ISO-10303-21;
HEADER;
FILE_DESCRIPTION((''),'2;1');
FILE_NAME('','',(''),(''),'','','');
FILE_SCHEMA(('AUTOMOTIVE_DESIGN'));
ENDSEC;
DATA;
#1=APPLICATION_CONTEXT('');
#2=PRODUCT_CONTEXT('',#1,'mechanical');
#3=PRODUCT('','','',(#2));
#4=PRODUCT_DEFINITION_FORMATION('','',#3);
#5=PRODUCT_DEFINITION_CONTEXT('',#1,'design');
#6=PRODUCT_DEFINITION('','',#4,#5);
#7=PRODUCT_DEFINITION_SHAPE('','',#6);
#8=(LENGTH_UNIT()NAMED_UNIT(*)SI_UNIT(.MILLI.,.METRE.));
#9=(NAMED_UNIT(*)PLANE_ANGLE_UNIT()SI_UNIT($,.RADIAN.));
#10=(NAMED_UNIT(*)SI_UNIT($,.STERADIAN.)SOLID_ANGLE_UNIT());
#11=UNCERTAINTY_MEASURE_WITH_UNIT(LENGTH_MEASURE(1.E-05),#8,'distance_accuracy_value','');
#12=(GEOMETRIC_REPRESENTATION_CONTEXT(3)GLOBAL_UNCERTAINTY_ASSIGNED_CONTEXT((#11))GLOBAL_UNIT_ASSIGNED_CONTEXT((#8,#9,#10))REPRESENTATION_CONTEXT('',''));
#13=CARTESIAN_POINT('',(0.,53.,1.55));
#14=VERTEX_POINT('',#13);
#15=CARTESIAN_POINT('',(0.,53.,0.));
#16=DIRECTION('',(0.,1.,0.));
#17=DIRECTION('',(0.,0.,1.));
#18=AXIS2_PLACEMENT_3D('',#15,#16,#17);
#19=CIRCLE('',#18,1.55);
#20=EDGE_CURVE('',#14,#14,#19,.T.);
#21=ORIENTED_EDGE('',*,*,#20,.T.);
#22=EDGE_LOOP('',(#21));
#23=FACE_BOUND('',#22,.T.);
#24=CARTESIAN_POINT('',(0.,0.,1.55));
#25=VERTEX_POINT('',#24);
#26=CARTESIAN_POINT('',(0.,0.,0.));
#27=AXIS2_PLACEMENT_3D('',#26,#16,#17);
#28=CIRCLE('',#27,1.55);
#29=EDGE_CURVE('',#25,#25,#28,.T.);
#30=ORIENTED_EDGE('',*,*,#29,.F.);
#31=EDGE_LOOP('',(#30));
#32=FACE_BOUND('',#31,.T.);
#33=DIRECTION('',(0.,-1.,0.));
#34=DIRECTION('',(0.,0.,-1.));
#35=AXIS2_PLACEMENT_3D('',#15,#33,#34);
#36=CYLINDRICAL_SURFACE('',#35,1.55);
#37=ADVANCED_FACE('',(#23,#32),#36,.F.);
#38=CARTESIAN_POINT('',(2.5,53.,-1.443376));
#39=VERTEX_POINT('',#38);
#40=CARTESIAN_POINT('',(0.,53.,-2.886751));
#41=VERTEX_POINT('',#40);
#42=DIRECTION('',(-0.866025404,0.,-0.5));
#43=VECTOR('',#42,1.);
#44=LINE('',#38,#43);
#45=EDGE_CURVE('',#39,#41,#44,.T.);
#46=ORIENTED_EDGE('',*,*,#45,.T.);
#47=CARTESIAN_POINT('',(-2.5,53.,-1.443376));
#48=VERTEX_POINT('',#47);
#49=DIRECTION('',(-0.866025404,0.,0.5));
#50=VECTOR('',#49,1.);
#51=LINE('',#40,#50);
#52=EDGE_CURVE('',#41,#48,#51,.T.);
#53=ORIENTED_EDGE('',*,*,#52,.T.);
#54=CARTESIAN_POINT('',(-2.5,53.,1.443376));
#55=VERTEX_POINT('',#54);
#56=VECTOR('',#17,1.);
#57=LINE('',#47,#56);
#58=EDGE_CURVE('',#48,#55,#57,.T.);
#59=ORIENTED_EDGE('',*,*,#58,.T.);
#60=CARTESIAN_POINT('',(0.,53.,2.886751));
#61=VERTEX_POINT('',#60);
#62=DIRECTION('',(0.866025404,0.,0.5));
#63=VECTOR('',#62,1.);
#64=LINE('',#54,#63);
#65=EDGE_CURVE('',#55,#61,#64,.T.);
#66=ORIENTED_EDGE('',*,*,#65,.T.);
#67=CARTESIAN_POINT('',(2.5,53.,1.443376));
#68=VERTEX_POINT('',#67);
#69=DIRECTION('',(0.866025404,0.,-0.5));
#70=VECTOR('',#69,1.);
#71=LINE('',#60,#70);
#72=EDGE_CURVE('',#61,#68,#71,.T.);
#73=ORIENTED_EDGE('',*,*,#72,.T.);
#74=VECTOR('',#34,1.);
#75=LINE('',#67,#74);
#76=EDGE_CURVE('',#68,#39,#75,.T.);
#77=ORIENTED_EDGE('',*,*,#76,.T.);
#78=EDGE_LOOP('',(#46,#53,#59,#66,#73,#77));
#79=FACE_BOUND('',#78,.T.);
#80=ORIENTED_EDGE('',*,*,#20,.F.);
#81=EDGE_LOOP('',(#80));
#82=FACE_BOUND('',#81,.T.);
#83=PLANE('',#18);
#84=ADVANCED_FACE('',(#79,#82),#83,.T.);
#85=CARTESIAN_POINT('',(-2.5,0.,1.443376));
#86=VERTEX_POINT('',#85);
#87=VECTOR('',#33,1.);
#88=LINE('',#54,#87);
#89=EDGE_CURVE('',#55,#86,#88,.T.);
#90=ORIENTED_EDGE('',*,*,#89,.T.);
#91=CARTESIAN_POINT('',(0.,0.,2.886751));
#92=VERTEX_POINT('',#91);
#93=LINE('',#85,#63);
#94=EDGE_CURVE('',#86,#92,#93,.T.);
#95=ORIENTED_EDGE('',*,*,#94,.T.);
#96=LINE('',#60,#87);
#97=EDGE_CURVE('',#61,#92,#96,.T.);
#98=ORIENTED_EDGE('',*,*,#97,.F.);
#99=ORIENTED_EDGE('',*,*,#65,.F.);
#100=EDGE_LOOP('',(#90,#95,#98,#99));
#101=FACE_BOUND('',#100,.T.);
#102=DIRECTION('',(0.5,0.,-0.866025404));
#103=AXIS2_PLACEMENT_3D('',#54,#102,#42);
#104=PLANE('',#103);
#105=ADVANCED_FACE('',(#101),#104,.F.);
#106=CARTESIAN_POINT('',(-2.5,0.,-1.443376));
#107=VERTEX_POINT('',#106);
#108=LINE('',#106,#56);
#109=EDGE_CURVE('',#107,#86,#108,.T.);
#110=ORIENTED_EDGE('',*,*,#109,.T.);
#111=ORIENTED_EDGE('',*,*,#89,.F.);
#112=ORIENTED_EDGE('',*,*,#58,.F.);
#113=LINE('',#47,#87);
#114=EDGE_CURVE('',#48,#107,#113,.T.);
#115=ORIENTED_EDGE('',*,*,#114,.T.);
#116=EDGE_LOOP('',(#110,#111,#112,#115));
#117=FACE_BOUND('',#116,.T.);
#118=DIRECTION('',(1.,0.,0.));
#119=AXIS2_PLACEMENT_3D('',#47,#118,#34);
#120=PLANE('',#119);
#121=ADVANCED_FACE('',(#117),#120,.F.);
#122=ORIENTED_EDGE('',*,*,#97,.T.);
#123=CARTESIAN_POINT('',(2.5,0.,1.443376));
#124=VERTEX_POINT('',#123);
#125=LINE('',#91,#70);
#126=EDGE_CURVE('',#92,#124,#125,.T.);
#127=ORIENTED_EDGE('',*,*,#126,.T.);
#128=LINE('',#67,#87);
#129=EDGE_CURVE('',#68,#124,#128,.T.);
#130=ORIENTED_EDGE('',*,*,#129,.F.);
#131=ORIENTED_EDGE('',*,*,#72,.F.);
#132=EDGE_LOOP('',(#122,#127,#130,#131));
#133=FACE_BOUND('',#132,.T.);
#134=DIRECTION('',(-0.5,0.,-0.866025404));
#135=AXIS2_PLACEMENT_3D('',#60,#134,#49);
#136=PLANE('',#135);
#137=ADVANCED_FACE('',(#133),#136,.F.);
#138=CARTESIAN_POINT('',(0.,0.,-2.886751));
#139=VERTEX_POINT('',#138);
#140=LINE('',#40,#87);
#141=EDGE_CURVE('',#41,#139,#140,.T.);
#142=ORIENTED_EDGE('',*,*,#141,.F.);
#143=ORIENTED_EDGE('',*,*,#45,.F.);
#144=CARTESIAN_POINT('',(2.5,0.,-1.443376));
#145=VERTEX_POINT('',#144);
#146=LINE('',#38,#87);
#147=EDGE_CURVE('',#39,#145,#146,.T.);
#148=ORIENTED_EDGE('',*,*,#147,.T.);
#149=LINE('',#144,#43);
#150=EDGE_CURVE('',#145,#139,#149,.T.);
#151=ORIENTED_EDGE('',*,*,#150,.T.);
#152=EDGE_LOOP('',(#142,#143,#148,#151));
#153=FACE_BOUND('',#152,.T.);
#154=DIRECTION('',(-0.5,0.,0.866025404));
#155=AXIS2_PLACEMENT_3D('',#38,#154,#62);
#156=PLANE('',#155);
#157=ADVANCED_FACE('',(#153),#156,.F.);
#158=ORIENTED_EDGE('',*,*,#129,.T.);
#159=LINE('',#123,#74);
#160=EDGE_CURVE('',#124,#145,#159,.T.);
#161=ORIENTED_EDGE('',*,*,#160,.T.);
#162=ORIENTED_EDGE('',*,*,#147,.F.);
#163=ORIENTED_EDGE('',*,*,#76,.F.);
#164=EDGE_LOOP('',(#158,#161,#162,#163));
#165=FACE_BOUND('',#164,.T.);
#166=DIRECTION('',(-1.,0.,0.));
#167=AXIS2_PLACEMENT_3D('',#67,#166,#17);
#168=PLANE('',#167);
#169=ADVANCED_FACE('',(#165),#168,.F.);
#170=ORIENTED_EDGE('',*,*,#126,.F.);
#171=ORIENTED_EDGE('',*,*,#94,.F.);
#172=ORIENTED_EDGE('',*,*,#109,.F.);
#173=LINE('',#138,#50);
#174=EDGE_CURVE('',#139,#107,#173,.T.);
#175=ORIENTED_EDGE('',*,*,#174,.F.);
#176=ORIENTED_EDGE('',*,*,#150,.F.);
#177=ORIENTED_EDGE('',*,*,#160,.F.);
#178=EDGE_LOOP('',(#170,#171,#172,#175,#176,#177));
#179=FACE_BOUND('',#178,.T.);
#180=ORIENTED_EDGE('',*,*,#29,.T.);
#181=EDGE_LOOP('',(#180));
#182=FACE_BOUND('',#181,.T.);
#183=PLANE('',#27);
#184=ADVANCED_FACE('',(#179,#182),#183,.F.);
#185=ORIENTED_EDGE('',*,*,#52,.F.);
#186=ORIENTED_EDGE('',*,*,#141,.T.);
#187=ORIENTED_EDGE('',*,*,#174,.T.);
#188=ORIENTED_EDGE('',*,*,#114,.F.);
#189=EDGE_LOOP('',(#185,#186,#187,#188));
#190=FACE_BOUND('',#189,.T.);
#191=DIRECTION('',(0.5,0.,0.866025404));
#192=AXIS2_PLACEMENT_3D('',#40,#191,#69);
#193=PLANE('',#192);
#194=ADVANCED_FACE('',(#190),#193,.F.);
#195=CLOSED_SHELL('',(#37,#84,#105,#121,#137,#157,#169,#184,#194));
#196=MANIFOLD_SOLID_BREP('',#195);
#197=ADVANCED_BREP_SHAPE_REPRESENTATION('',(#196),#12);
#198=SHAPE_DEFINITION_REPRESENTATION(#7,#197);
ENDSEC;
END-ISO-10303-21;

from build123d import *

# Parameters (mm, degrees)
SKETCH_1_R      = 1.55
EXTRUDE_1_DEPTH = 53


with BuildPart() as part:
    # Эскиз1 → Бобышка-Вытянуть1 (new body)
    with BuildSketch(Plane(origin=(0, 0, 0), x_dir=(1, 0, 0), z_dir=(0, 1, 0))):
        Polygon((0, -2.886751346), (2.5, -1.443375673), (2.5, 1.443375673), (0, 2.886751346), (-2.5, 1.443375673), (-2.5, -1.443375673), align=None)
        Circle(SKETCH_1_R, mode=Mode.SUBTRACT)
    extrude(amount=EXTRUDE_1_DEPTH)


solid = part.part
